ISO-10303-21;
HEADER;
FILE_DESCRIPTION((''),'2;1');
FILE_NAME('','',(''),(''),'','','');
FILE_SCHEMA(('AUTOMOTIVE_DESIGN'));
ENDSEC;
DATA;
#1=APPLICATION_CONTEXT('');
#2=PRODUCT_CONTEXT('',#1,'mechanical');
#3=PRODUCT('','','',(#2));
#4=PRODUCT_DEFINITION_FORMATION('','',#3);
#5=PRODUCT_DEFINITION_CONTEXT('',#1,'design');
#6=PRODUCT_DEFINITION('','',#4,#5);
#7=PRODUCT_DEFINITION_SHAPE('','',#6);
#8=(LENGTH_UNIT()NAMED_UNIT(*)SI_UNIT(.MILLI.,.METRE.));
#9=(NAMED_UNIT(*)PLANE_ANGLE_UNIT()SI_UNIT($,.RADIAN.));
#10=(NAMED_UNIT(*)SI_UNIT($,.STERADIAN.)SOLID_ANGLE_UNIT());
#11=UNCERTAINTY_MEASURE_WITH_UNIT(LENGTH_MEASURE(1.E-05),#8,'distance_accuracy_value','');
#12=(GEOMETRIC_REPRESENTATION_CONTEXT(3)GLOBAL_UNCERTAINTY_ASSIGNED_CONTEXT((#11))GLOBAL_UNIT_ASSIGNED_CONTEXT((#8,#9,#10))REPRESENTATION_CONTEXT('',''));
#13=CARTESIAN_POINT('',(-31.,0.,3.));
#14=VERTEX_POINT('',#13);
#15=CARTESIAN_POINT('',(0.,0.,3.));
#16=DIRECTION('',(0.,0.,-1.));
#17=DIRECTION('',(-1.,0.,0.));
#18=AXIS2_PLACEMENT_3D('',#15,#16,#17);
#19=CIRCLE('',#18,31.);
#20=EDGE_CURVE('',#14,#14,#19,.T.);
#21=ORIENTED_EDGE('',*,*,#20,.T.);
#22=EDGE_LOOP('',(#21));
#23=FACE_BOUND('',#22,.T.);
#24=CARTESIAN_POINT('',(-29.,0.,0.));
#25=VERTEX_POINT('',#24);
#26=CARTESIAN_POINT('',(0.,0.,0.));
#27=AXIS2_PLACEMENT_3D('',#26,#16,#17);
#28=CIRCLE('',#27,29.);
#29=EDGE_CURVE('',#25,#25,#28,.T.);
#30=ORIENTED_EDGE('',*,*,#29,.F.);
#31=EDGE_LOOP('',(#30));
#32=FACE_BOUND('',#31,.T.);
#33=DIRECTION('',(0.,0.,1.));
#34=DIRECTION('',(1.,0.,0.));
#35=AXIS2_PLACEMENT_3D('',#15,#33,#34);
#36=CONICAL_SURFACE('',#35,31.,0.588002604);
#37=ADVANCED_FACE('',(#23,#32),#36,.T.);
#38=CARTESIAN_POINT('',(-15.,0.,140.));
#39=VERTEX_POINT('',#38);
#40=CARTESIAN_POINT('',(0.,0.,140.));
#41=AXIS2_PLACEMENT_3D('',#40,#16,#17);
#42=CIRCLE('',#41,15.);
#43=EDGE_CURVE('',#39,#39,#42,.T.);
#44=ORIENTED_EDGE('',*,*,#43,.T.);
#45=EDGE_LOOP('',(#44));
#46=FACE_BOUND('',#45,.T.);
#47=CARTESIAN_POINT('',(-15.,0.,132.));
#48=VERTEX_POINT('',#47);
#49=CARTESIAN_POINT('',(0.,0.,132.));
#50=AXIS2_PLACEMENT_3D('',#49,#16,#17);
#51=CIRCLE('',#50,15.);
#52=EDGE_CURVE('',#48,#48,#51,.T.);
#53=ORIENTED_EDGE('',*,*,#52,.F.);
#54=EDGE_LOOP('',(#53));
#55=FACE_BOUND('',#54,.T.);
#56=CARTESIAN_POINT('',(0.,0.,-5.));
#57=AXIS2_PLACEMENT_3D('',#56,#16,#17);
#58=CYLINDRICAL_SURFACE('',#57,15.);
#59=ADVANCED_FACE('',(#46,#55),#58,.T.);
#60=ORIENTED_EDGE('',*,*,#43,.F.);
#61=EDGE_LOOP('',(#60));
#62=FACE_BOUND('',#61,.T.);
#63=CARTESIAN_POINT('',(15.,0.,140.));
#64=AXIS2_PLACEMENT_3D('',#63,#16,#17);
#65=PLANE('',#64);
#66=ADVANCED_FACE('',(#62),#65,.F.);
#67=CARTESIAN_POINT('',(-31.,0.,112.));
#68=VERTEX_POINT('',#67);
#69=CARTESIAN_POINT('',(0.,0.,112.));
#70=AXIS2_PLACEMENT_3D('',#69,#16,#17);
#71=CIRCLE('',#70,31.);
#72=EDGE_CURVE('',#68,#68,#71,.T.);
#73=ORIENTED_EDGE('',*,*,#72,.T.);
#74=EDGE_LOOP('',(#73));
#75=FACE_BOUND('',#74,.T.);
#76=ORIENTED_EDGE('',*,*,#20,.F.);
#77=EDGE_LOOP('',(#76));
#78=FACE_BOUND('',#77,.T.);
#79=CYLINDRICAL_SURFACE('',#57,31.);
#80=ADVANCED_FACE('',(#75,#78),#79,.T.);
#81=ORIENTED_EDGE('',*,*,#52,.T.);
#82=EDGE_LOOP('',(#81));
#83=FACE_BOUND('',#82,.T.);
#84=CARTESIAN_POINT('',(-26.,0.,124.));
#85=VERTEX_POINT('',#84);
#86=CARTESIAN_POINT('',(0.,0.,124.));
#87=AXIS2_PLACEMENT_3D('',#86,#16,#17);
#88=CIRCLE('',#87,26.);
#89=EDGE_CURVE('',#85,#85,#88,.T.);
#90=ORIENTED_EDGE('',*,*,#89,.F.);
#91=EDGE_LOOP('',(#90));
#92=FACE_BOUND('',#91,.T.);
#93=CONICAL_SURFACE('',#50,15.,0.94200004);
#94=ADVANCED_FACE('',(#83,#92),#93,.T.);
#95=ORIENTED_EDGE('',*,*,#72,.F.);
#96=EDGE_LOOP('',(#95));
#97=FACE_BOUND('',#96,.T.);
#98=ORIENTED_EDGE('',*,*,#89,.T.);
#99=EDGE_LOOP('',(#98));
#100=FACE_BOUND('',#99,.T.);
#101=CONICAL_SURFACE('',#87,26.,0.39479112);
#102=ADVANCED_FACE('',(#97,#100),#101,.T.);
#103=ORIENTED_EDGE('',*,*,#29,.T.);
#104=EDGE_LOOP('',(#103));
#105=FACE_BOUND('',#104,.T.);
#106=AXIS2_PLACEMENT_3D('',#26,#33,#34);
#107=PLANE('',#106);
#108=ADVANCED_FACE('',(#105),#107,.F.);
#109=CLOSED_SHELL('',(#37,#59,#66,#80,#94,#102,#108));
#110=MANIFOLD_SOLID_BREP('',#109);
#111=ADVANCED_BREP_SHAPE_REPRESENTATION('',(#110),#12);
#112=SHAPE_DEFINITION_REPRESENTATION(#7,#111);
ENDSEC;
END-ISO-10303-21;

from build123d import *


with BuildPart() as part:
    # Revolve profile 1 → Revolve 1 (revolve)
    with BuildSketch(Plane(origin=(0, 0, 0), x_dir=(1, 0, 0), z_dir=(0, 1, 0)), mode=Mode.PRIVATE) as revolve_1_sk:
        Polygon((0, -140), (0, 0), (29, 0), (31, -3), (31, -112), (26, -124), (15, -132), (15, -140), align=None)
    revolve(revolve_1_sk.sketch.rotate(Axis((0, 0, -5), (0, 0, 1)), 180), axis=Axis((0, 0, -5), (0, 0, 1)))


solid = part.part
